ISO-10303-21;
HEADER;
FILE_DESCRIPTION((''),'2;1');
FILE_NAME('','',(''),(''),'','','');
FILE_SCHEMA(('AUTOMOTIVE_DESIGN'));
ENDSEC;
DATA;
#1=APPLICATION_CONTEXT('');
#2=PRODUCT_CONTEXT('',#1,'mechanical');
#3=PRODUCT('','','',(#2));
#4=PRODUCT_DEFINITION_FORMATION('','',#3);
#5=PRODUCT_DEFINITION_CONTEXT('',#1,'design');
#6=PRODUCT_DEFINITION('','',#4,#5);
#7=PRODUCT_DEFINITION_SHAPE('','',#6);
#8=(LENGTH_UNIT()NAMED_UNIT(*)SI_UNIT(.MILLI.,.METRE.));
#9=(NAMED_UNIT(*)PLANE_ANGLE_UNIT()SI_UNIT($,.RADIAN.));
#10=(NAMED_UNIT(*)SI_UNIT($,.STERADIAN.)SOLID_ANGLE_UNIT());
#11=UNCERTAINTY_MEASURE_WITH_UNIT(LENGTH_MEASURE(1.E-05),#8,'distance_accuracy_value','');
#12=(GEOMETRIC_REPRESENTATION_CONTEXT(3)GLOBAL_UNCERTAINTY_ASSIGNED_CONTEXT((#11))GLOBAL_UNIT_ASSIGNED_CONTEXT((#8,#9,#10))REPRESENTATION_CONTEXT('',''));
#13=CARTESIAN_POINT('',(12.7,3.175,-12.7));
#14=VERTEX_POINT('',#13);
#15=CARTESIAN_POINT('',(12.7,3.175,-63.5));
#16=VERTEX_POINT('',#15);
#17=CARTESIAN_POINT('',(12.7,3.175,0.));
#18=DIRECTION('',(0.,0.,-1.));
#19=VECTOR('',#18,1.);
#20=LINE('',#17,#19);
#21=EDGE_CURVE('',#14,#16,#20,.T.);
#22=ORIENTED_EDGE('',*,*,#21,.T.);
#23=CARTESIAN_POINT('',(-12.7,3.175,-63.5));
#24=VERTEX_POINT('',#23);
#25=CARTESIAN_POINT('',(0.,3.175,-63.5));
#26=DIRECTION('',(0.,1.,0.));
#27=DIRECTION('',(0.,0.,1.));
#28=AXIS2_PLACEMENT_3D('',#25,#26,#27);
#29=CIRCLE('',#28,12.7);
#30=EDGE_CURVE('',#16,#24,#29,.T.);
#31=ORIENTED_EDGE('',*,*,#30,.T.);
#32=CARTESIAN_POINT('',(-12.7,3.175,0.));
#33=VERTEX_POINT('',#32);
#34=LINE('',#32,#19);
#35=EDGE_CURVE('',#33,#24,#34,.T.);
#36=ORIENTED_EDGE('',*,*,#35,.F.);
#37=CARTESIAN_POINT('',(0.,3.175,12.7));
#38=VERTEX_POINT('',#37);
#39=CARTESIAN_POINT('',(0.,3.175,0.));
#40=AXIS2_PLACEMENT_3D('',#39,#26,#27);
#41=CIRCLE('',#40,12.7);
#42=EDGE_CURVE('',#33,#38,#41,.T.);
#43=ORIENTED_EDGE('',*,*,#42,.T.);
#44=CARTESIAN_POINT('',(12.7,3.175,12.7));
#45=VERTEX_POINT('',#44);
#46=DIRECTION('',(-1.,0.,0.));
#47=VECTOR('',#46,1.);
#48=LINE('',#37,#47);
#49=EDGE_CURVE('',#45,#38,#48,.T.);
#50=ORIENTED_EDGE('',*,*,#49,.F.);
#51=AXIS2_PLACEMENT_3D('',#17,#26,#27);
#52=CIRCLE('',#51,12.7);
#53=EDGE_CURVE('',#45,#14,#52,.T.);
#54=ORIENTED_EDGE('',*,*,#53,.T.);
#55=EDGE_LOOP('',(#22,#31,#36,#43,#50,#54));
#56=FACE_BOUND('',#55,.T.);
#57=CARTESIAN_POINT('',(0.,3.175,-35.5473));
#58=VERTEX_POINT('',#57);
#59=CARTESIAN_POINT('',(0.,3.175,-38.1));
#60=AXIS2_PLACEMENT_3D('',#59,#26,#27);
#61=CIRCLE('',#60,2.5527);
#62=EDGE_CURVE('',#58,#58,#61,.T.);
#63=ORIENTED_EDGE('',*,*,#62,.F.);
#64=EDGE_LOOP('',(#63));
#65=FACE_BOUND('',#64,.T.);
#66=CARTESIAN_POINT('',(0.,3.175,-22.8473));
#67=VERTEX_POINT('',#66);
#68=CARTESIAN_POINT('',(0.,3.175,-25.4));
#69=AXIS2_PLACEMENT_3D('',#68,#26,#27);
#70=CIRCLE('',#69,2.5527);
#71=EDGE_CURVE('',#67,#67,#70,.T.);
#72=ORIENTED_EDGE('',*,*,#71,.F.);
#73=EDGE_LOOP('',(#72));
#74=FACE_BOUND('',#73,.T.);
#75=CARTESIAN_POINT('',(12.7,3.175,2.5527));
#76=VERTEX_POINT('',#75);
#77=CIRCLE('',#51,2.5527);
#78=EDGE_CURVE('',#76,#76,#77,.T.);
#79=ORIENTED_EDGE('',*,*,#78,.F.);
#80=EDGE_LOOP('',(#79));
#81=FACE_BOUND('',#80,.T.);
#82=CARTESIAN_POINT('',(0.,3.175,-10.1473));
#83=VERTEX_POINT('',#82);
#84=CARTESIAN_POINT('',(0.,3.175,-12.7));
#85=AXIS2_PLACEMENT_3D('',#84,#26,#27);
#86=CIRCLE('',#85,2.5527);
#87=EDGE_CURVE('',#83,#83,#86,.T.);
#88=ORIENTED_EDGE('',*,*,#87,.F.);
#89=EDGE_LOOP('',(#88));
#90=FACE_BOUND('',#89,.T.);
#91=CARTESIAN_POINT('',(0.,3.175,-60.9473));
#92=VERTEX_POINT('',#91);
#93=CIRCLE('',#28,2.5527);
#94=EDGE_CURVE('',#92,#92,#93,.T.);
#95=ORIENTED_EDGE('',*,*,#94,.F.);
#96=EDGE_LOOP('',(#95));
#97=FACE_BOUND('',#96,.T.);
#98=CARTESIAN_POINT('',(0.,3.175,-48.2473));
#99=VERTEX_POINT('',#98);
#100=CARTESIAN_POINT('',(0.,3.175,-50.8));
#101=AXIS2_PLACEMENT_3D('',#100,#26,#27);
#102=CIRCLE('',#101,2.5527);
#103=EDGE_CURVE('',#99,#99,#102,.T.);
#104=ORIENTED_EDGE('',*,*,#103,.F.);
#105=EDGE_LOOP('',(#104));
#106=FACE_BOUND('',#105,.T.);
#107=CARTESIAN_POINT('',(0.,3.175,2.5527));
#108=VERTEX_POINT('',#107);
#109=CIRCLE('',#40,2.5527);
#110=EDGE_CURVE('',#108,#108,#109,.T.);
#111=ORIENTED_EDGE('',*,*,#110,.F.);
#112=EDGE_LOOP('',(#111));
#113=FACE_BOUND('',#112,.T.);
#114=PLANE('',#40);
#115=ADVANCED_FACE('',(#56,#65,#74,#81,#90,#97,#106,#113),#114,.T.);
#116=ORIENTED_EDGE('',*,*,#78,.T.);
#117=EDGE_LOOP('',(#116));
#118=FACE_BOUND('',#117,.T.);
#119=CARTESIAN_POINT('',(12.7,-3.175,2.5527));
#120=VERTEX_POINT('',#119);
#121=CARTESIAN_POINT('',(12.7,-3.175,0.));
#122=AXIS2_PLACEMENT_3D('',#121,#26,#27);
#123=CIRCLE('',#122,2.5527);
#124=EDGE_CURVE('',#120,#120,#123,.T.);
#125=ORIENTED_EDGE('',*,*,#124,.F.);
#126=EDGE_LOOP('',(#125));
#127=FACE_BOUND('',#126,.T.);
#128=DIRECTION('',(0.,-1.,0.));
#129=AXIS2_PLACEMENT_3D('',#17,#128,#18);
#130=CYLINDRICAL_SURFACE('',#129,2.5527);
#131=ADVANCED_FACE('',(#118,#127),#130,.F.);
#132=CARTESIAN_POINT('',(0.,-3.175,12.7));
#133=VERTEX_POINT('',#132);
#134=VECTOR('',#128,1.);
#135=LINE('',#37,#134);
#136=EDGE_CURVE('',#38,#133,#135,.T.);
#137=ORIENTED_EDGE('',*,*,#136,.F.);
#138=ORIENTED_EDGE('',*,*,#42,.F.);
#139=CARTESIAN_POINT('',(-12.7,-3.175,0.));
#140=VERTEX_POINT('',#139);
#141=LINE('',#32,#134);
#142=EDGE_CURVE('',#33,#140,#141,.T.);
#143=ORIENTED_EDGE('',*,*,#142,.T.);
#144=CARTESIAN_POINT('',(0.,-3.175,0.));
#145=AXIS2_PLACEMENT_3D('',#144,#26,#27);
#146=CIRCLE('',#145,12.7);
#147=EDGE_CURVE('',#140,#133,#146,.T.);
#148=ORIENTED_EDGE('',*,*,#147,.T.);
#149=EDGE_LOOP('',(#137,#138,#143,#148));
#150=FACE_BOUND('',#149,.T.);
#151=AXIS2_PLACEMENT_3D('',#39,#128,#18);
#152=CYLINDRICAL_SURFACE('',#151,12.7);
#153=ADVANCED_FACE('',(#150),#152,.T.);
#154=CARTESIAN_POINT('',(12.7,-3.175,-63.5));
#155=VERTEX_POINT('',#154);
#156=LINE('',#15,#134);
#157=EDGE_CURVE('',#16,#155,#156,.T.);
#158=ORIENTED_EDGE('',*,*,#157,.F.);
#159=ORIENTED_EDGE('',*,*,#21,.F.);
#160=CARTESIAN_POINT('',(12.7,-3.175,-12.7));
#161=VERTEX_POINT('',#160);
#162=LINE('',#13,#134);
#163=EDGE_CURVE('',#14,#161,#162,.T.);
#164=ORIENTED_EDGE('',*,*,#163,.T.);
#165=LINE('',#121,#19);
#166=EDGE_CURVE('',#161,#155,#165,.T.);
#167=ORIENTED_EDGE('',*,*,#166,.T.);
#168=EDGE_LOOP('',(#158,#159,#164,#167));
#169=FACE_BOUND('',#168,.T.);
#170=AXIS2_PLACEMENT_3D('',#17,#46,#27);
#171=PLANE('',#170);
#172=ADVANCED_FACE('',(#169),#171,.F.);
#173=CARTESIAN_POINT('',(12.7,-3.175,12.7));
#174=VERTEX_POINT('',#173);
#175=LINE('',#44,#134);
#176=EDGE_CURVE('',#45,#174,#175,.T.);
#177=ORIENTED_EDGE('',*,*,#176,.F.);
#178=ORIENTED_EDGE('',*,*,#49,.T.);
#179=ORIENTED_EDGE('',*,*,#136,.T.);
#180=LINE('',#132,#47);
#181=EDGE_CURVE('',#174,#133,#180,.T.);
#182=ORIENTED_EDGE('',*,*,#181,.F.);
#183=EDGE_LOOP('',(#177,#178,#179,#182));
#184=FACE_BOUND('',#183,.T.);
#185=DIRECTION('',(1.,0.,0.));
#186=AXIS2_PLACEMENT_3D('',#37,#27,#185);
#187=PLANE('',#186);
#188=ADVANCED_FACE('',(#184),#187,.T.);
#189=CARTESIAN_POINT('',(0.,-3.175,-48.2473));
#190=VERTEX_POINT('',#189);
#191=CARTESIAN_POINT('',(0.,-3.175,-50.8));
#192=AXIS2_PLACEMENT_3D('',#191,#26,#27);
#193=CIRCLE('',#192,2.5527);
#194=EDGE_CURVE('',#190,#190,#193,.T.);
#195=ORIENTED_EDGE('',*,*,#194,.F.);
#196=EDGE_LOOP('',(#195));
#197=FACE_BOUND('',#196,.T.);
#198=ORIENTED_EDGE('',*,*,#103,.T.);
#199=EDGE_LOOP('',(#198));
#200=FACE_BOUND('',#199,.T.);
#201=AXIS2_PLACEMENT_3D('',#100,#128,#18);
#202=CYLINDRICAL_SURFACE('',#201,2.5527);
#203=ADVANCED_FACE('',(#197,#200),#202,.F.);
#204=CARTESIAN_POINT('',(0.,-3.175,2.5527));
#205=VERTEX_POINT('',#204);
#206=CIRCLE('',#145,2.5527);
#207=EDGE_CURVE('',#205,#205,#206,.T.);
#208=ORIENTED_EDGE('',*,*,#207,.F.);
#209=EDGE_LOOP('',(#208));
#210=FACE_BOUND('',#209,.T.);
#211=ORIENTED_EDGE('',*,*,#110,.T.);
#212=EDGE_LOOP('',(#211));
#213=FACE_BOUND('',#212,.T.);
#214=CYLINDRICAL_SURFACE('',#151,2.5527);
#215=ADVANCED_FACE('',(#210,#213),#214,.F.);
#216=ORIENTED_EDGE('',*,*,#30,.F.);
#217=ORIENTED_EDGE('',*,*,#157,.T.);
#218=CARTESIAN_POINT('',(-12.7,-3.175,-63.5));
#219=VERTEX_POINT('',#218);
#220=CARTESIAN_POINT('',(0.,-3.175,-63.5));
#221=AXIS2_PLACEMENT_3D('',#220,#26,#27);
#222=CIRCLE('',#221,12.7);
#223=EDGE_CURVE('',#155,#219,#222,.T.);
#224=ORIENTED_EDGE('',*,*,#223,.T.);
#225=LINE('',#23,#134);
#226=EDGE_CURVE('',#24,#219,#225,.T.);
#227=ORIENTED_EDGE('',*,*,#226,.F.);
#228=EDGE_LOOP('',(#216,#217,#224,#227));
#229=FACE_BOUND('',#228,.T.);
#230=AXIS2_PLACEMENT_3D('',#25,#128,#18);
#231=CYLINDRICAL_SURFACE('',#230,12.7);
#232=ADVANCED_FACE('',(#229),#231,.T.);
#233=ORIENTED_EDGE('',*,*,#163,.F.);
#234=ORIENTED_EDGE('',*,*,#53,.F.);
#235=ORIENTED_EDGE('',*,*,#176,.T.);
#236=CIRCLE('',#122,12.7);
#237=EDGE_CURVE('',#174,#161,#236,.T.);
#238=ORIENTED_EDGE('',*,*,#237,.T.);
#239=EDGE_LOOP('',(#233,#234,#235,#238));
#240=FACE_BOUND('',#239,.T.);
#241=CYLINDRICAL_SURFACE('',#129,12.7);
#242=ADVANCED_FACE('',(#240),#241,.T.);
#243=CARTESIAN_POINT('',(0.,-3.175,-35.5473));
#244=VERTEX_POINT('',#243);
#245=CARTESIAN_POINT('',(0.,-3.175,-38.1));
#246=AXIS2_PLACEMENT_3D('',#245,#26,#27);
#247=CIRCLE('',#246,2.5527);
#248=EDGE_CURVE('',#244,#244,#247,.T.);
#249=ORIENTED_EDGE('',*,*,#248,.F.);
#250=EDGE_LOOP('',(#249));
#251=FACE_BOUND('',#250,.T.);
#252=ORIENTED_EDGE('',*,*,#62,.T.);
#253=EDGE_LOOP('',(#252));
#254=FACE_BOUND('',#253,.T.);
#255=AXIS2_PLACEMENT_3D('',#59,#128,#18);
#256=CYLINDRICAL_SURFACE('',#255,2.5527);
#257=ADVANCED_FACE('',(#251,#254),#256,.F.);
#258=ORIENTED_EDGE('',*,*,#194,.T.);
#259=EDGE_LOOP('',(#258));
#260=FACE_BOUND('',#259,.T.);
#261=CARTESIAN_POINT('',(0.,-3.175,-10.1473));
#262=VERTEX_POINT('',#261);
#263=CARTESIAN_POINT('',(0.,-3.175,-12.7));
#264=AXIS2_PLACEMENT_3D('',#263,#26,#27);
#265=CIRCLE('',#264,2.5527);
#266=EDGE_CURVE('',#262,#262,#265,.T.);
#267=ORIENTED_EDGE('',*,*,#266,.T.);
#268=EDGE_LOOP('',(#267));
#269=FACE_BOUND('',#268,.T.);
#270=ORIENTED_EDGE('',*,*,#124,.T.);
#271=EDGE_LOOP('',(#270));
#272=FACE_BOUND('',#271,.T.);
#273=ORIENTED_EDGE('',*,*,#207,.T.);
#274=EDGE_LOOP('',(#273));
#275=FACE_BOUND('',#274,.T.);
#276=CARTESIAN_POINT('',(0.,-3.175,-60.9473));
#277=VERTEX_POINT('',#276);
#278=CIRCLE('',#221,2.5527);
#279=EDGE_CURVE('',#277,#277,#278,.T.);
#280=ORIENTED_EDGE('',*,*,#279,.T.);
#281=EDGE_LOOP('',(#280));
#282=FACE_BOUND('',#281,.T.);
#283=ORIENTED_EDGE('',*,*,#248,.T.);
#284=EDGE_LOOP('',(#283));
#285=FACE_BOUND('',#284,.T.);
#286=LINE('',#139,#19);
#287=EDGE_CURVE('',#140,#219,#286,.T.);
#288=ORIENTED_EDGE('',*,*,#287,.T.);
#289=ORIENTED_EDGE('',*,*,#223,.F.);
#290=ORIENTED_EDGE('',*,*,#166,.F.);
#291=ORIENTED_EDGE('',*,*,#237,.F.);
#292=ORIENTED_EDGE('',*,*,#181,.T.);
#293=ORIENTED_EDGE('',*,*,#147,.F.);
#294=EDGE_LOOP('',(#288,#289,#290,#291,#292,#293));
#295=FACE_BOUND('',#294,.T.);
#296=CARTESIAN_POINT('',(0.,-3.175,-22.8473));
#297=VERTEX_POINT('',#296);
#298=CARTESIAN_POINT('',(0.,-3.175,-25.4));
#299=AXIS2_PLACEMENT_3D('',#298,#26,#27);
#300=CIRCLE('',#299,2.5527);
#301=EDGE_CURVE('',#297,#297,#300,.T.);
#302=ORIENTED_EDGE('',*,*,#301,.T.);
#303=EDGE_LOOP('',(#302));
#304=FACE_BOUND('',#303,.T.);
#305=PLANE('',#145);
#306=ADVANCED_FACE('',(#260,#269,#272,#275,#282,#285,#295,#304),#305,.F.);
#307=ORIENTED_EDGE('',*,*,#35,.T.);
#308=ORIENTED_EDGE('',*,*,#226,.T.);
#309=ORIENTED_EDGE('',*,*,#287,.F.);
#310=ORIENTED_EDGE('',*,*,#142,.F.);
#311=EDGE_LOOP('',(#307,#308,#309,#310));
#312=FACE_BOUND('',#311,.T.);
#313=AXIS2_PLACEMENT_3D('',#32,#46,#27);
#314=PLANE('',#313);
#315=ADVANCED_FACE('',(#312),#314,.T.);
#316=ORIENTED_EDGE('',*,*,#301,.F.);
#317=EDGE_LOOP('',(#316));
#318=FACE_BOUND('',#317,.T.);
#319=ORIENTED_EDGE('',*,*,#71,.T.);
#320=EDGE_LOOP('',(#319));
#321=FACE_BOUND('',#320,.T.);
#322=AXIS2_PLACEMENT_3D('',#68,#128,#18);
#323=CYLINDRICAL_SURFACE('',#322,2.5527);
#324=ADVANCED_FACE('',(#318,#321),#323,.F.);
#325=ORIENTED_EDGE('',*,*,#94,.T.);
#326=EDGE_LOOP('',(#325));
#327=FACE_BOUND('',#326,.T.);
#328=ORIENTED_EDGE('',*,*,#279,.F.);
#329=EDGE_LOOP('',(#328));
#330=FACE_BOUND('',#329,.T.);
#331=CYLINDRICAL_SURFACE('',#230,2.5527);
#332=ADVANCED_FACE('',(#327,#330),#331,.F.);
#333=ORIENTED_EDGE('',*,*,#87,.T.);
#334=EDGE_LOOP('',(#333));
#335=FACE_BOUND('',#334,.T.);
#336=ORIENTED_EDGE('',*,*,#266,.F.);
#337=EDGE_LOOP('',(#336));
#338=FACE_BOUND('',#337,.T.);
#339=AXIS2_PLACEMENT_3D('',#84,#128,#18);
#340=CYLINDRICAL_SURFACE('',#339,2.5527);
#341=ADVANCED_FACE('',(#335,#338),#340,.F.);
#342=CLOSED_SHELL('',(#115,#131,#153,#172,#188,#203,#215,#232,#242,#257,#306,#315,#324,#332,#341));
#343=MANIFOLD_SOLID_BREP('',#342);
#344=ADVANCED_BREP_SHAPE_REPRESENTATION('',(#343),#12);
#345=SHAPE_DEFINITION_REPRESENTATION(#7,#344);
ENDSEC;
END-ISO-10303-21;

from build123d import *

# Parameters (mm, degrees)
SKETCH1_R           = 2.5527
BOSS_EXTRUDE1_DEPTH = 3.175


with BuildPart() as part:
    # Sketch1 → Boss-Extrude1 (new, symmetric)
    # profile 1 of 3: a face of its own
    with BuildSketch(Plane(origin=(0, 0, 0), x_dir=(1, 0, 0), z_dir=(0, 1, 0))):
        with BuildLine():
            Line((0, -12.7), (12.7, -12.7))
            ThreePointArc((12.7, -12.7), (25.4, 0), (12.7, 12.7))
            Line((12.7, 12.7), (12.7, 2.5527))
            ThreePointArc((12.7, 2.5527), (14.50503148, 1.80503148), (15.2527, 0))
            ThreePointArc((15.2527, 0), (14.411927484, -1.893563196), (12.44345365, -2.539775829))
            ThreePointArc((12.44345365, -2.539775829), (8.032273868, -9.837305348), (0, -12.7))
        make_face()
    # profile 2 of 3: a face of its own
    with BuildSketch(Plane(origin=(0, 0, 0), x_dir=(1, 0, 0), z_dir=(0, 1, 0))):
        with BuildLine():
            ThreePointArc((-12.7, 0), (-8.980256121, -8.980256121), (0, -12.7))
            ThreePointArc((0, -12.7), (8.032273868, -9.837305348), (12.44345365, -2.539775829))
            ThreePointArc((12.44345365, -2.539775829), (10.15053309, 0.128435844), (12.7, 2.5527))
            Line((12.7, 2.5527), (12.7, 12.7))
            Line((12.7, 12.7), (2.5527, 12.7))
            ThreePointArc((2.5527, 12.7), (0.128435844, 10.15053309), (-2.539775829, 12.44345365))
            ThreePointArc((-2.539775829, 12.44345365), (-9.837305348, 8.032273868), (-12.7, 0))
        make_face()
        with Locations(Location((0, 0, 0), (0, 0, 270))):
            Circle(SKETCH1_R, mode=Mode.SUBTRACT)
    # profile 3 of 3: a face of its own
    with BuildSketch(Plane(origin=(0, 0, 0), x_dir=(1, 0, 0), z_dir=(0, 1, 0))):
        with BuildLine():
            Line((2.5527, 12.7), (12.7, 12.7))
            Line((12.7, 12.7), (12.7, 63.5))
            ThreePointArc((12.7, 63.5), (0, 76.2), (-12.7, 63.5))
            Line((-12.7, 63.5), (-12.7, 0))
            ThreePointArc((-12.7, 0), (-9.837305348, 8.032273868), (-2.539775829, 12.44345365))
            ThreePointArc((-2.539775829, 12.44345365), (-0.128435844, 15.24946691), (2.5527, 12.7))
        make_face()
        with Locations(Location((0, 25.4, 0), (0, 0, 270))):
            Circle(SKETCH1_R, mode=Mode.SUBTRACT)
        with Locations(Location((0, 38.1, 0), (0, 0, 270))):
            Circle(SKETCH1_R, mode=Mode.SUBTRACT)
        with Locations(Location((0, 50.8, 0), (0, 0, 270))):
            Circle(SKETCH1_R, mode=Mode.SUBTRACT)
        with Locations(Location((0, 63.5, 0), (0, 0, 270))):
            Circle(SKETCH1_R, mode=Mode.SUBTRACT)
    extrude(amount=BOSS_EXTRUDE1_DEPTH, both=True)


solid = part.part
